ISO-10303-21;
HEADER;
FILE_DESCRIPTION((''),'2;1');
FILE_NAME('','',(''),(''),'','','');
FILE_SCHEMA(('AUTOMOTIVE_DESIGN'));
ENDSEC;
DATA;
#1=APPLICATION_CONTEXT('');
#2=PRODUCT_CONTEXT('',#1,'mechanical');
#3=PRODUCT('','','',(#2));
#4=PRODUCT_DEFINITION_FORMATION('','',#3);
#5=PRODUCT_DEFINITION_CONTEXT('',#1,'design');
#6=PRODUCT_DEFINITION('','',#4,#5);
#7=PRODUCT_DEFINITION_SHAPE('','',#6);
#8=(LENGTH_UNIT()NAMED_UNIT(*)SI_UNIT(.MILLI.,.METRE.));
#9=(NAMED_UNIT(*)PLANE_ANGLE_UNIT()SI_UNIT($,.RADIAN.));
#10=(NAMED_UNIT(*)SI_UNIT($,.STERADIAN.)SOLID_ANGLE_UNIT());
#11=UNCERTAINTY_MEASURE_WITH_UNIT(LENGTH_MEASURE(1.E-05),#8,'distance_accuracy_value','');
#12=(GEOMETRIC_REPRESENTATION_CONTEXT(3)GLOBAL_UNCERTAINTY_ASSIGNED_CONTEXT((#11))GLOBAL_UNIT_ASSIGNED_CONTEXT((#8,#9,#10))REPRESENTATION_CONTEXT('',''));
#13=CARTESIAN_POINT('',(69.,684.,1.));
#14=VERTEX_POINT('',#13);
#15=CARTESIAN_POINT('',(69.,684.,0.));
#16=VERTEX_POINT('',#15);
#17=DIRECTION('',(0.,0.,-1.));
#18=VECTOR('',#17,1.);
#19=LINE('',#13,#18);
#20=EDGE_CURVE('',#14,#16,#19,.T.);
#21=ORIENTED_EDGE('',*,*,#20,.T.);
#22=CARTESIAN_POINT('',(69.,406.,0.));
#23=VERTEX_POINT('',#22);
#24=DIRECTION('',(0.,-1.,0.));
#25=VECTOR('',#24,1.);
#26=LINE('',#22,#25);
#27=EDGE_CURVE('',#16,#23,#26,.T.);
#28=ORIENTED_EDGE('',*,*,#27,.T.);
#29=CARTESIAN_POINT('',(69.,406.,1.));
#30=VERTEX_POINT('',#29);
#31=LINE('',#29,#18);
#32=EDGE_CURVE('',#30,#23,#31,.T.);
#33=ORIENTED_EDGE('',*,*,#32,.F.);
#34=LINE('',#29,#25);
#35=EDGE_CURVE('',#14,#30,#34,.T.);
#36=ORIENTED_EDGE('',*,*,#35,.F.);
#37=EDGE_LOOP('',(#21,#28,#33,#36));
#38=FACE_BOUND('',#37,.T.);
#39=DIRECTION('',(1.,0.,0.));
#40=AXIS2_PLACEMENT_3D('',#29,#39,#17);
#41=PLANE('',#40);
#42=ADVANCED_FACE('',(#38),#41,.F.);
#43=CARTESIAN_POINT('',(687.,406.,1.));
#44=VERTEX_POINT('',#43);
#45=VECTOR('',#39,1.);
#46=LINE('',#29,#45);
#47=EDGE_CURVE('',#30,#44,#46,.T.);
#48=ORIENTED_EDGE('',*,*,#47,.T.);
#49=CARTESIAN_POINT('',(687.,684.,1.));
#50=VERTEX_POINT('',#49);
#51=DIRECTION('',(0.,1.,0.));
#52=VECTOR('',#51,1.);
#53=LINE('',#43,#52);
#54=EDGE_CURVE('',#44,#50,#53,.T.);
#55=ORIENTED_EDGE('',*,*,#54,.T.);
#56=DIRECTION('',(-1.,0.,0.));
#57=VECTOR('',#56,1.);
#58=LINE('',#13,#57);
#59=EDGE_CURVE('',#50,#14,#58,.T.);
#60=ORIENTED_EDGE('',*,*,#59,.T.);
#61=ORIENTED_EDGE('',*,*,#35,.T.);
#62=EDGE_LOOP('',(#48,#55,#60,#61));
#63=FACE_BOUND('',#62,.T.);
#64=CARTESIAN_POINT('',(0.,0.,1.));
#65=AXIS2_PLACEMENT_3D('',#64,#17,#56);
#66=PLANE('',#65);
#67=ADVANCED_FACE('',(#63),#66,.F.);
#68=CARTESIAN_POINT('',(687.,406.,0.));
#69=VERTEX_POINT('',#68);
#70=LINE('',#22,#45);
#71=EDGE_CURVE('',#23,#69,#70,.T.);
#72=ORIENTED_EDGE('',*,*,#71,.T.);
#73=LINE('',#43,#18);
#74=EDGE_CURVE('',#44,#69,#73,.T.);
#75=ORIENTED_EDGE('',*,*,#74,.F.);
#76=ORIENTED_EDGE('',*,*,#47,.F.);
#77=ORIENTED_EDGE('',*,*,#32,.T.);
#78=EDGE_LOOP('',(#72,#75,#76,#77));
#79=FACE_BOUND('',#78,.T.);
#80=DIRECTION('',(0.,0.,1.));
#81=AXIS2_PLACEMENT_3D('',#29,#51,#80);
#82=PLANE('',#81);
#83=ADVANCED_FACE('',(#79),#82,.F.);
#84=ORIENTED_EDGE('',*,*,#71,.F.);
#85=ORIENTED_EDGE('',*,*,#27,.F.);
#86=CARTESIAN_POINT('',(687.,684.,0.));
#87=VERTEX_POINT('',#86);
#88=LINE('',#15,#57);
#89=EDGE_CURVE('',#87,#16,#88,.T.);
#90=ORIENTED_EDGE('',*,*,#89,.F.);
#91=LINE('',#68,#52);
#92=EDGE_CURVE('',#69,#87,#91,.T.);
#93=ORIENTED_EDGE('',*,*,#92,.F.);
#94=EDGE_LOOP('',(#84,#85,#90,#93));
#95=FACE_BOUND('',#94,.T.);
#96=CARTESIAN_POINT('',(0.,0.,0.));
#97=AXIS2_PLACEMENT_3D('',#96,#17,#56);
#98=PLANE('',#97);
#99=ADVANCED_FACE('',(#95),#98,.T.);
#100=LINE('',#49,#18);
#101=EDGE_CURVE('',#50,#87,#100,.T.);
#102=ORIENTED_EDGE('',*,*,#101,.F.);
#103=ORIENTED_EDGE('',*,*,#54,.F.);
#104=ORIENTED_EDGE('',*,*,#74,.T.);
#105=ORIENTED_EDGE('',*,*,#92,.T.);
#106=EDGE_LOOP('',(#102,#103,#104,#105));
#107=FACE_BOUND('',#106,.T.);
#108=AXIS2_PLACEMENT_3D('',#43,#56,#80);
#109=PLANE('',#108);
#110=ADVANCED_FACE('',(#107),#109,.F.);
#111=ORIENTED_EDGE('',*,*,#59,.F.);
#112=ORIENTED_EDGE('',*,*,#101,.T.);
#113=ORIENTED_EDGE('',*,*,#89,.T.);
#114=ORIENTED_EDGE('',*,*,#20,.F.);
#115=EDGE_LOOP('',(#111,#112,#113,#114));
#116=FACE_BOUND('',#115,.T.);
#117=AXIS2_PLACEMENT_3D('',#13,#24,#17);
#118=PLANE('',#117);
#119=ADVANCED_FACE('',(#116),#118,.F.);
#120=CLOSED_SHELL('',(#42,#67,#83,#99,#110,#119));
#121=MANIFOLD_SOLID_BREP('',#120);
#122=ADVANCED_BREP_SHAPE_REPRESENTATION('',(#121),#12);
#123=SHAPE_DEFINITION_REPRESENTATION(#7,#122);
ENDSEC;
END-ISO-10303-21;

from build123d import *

# Parameters (mm, degrees)
SKETCH1_W                                = 618
SKETCH1_H                                = 278
STORE_KLAPE_KASET_KATI_ON_IC_SAC_1_DEPTH = 1


with BuildPart() as part:
    # Sketch1 → STORE_klape_kaset_kati_on_ic_sac_1 (new body)
    with BuildSketch(Plane.XY):
        with Locations((378, 545)):
            Rectangle(SKETCH1_W, SKETCH1_H)
    extrude(amount=STORE_KLAPE_KASET_KATI_ON_IC_SAC_1_DEPTH)


solid = part.part
